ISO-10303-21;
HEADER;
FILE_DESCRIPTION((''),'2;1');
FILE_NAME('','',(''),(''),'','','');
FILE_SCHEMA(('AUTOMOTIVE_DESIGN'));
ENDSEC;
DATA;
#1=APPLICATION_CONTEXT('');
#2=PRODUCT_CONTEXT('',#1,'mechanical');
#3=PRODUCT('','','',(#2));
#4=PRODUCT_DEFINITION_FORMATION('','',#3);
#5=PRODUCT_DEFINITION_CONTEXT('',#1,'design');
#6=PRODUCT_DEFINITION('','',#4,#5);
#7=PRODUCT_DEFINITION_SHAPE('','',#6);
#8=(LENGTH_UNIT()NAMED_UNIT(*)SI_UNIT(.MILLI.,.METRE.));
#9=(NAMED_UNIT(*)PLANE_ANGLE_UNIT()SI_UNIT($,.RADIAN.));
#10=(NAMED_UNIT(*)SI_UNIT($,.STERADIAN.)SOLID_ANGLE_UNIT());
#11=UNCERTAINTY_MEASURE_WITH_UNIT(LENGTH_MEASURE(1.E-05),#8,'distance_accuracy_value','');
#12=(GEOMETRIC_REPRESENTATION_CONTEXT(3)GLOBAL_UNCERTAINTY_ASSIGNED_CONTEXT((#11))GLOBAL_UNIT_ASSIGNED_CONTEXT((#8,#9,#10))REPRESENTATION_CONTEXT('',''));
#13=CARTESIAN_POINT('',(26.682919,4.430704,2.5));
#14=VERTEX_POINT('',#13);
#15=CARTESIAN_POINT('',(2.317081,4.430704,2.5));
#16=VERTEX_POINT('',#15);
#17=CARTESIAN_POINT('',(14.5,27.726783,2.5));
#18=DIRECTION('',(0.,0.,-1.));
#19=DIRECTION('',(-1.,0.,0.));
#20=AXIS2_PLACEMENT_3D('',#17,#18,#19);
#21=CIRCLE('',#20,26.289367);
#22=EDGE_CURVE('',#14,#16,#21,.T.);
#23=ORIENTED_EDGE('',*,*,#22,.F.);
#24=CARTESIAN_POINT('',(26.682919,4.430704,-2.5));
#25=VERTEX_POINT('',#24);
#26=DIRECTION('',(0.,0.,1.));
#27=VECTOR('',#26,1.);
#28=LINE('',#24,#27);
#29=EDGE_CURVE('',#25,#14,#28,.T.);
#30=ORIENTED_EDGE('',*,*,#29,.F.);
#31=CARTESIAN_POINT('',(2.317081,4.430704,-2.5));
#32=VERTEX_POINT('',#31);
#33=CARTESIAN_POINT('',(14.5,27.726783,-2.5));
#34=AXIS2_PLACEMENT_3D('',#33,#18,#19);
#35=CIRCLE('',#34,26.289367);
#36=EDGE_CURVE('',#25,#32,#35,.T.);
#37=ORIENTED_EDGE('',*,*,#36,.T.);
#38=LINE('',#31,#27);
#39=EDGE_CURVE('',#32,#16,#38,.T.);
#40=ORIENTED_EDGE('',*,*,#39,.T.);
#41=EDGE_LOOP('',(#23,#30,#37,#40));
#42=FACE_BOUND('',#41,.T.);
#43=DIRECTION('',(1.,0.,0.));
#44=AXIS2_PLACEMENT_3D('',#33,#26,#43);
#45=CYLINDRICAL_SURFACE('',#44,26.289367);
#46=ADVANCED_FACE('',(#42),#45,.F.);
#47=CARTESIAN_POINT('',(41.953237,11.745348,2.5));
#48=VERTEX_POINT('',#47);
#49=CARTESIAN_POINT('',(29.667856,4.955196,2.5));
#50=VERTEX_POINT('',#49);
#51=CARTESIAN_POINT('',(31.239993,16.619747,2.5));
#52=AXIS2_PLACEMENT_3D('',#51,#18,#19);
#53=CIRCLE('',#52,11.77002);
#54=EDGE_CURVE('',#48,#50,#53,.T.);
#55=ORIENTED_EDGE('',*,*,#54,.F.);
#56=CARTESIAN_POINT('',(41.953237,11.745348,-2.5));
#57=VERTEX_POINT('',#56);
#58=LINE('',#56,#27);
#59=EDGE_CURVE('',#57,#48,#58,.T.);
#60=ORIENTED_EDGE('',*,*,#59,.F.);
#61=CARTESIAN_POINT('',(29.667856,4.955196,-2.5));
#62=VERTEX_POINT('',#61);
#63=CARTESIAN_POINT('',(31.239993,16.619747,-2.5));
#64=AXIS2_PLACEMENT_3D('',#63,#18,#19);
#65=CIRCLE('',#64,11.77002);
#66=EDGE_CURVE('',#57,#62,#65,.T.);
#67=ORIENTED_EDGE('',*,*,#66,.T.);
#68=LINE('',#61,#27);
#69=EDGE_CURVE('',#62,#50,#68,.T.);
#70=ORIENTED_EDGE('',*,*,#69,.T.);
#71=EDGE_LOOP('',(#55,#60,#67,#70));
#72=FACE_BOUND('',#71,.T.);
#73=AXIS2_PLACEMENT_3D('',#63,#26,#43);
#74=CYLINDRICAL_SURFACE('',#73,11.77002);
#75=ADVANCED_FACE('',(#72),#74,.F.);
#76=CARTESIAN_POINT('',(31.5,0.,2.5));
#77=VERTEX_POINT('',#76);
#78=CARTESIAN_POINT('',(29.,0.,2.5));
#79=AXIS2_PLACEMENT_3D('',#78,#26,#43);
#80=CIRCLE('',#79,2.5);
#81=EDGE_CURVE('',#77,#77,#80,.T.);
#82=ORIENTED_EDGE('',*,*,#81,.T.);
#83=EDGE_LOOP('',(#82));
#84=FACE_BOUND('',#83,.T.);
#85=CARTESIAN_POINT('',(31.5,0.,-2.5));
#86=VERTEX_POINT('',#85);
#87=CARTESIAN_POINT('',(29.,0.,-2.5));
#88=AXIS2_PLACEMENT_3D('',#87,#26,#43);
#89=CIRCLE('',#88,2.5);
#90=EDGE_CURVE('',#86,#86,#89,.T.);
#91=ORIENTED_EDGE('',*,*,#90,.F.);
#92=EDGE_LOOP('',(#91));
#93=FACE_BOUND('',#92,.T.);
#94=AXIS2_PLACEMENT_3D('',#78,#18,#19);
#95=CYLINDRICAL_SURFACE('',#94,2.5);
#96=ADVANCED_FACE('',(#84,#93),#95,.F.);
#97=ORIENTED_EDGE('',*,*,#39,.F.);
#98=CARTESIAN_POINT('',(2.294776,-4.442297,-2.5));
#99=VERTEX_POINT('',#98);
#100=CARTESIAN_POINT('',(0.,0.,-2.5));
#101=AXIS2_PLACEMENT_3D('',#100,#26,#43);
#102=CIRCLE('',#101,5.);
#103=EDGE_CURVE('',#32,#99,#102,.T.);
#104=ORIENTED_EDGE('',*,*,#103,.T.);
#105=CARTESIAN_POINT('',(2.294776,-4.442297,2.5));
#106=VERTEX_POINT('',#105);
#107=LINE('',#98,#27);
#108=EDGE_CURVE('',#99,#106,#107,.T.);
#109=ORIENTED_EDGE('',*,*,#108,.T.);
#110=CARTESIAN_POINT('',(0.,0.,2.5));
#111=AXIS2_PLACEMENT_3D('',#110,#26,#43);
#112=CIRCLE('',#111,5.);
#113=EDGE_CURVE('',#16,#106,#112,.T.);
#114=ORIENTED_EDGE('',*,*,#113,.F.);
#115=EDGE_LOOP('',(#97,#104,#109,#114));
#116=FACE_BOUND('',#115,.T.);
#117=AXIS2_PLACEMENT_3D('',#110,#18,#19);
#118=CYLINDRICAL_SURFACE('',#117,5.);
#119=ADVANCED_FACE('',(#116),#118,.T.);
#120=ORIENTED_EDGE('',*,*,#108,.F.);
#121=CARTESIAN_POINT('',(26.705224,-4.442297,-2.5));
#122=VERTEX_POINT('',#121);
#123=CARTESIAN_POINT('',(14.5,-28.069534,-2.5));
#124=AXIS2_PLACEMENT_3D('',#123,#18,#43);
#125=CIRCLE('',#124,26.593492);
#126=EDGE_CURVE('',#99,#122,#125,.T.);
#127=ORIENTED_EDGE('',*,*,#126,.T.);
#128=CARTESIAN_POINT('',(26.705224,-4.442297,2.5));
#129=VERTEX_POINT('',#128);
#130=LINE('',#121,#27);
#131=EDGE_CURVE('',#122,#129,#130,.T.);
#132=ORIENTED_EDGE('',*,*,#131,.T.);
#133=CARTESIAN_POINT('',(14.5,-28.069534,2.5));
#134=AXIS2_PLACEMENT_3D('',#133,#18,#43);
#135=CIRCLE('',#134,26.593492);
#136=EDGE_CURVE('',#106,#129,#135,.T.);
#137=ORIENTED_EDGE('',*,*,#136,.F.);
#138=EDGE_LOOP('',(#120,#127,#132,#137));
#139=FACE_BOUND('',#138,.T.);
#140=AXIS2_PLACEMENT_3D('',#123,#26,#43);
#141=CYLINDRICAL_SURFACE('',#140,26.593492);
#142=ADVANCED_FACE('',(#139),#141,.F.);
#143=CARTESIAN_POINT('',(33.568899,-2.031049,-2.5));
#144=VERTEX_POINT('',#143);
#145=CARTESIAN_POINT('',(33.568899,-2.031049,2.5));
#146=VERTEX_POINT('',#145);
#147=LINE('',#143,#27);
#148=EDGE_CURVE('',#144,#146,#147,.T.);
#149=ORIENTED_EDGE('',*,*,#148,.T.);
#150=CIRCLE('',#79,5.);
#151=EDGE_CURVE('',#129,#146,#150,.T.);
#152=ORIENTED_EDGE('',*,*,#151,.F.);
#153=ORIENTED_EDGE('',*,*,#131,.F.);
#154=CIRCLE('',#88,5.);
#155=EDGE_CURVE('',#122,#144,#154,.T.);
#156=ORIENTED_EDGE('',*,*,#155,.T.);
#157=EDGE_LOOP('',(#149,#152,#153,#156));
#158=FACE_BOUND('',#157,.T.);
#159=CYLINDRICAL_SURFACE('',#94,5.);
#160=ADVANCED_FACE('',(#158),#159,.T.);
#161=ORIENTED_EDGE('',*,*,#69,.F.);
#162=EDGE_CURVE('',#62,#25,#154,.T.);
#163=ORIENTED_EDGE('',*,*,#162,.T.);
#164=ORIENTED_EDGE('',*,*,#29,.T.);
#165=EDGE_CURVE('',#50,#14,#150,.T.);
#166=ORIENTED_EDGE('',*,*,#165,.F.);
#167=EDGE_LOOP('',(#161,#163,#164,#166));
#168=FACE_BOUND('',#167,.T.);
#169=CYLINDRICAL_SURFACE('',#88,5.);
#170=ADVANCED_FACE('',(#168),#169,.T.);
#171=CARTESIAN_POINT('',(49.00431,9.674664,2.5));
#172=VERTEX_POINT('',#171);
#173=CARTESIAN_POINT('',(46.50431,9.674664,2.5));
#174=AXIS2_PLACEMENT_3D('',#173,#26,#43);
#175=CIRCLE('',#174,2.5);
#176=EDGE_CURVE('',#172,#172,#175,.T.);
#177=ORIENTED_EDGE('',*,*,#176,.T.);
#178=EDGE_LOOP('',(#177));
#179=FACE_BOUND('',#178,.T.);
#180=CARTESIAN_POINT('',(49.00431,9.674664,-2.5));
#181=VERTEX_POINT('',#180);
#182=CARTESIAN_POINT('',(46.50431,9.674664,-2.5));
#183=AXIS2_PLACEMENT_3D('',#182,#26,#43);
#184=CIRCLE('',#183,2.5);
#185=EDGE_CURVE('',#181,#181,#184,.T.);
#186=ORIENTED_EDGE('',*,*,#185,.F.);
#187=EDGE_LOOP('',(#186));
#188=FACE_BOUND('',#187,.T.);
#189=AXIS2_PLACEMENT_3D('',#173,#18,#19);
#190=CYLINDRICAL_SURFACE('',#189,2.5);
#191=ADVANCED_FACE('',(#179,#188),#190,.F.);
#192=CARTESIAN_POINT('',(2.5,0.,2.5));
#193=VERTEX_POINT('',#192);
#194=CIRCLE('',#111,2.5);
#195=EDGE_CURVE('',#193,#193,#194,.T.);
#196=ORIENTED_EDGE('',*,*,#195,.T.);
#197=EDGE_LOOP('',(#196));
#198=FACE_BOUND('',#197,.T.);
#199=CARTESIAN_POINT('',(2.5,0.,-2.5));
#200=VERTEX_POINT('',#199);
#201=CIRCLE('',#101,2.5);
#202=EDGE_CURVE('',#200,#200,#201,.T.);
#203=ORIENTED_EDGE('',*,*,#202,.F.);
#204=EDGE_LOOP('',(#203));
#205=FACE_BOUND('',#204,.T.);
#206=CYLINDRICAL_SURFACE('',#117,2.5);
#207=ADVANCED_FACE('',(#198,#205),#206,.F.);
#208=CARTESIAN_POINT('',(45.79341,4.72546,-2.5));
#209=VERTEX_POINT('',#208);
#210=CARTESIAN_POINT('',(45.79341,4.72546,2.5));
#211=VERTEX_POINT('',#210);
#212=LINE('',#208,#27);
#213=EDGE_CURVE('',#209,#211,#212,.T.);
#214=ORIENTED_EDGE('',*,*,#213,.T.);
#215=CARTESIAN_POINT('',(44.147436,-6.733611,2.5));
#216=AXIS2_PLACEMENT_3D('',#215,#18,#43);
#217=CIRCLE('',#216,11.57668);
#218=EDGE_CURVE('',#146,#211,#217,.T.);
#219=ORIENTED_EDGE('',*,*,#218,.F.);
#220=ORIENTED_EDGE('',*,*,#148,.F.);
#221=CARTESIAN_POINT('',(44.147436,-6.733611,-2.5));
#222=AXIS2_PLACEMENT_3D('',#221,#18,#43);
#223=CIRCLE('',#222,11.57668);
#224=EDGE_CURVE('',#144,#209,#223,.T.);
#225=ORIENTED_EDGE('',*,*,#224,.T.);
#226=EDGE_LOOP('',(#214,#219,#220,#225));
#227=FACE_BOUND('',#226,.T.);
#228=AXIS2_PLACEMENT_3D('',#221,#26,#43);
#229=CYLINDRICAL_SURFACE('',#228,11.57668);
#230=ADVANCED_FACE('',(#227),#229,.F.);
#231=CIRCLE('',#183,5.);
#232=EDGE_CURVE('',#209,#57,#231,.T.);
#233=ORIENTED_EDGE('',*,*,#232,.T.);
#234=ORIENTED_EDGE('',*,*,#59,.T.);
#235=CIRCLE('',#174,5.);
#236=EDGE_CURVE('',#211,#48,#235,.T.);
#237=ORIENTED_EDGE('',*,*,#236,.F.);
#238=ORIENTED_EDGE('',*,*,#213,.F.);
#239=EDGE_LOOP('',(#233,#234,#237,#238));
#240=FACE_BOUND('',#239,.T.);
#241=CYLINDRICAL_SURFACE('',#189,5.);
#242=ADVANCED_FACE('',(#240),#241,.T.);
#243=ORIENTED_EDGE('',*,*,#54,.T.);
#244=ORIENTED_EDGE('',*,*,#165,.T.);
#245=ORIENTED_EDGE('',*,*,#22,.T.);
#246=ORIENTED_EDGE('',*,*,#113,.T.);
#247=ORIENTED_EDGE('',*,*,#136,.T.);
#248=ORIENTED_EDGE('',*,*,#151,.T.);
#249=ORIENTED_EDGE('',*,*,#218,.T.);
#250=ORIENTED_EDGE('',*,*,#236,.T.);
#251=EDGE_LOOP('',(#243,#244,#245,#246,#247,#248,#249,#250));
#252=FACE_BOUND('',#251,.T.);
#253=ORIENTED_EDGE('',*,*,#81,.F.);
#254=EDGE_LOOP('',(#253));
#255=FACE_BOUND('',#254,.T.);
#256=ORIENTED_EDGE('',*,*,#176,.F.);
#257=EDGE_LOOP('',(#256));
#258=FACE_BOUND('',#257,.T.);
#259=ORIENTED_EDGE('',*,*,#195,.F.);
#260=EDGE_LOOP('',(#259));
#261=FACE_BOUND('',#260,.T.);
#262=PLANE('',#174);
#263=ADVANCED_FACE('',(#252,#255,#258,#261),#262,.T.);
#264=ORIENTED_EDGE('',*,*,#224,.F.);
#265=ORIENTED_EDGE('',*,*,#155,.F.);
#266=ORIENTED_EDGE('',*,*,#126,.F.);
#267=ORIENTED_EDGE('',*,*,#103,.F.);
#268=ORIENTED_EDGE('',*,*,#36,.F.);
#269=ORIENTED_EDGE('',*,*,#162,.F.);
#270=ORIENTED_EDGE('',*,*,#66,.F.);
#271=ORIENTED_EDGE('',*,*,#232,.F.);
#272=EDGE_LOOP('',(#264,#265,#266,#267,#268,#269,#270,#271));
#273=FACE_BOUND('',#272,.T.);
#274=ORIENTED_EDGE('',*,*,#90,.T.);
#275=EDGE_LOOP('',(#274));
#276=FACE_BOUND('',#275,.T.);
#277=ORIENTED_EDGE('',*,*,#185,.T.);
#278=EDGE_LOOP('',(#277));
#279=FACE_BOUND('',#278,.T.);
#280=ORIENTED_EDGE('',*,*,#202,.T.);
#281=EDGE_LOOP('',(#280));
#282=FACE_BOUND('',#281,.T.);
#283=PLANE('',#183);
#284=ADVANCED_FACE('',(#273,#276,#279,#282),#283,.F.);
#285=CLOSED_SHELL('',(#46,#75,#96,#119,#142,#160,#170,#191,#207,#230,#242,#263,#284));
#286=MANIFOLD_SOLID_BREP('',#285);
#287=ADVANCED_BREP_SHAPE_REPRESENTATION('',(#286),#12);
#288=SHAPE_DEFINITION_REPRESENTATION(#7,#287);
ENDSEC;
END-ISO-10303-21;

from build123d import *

# Parameters (mm, degrees)
SKETCH_1_R          = 2.5
EXTRUDE_1_DEPTH     = 2.5
SKETCH_2_OUTSIDE_W  = 70.512
SKETCH_2_OUTSIDE_H  = 33.683
CUT_EXTRUDE_1_DEPTH = 5


with BuildPart() as part:
    # 草圖1 → 填料-伸長1 (new body, symmetric)
    with BuildSketch(Plane.XY):
        with BuildLine():
            Line((45.485924683, 14.569854348), (-1.018385662, 4.895190563))
            ThreePointArc((-1.018385662, 4.895190563), (-4.973728622, -0.511882402), (0, -5))
            Line((0, -5), (29, -5))
            ThreePointArc((29, -5), (30.248921949, -4.841507406), (31.418665946, -4.376077586))
            Line((31.418665946, -4.376077586), (48.922976291, 5.298586199))
            ThreePointArc((48.922976291, 5.298586199), (51.192518904, 11.412680042), (45.485924683, 14.569854348))
        make_face()
        with Locations((46.504310345, 9.674663785)):
            Circle(SKETCH_1_R, mode=Mode.SUBTRACT)
        with Locations((29, 0)):
            Circle(SKETCH_1_R, mode=Mode.SUBTRACT)
        Circle(SKETCH_1_R, mode=Mode.SUBTRACT)
    extrude(amount=EXTRUDE_1_DEPTH, both=True)

    # 草圖2 outside → 除料-伸長1 (cut)
    with BuildSketch(Plane.XY.offset(2.5)):
        with Locations((23.252, 4.8375)):
            Rectangle(SKETCH_2_OUTSIDE_W, SKETCH_2_OUTSIDE_H)
        with BuildLine():
            ThreePointArc((45.79340971, 4.725459779), (50.890857954, 12.074288771), (41.953237231, 11.745348096))
            ThreePointArc((41.953237231, 11.745348096), (36.933542301, 6.318443182), (29.667856416, 4.955196041))
            ThreePointArc((29.667856416, 4.955196041), (28.134691665, 4.924554953), (26.682918959, 4.43070372))
            ThreePointArc((26.682918959, 4.43070372), (14.5, 1.437415904), (2.317081041, 4.43070372))
            ThreePointArc((2.317081041, 4.43070372), (-4.999984203, 0.012568795), (2.294776385, -4.442296855))
            ThreePointArc((2.294776385, -4.442296855), (14.5, -1.476041996), (26.705223615, -4.442296855))
            ThreePointArc((26.705223615, -4.442296855), (30.657237876, -4.717368188), (33.568899121, -2.031049192))
            ThreePointArc((33.568899121, -2.031049192), (38.547411457, 3.398479533), (45.79340971, 4.725459779))
        make_face(mode=Mode.SUBTRACT)
    extrude(amount=-CUT_EXTRUDE_1_DEPTH, mode=Mode.SUBTRACT)


solid = part.part
